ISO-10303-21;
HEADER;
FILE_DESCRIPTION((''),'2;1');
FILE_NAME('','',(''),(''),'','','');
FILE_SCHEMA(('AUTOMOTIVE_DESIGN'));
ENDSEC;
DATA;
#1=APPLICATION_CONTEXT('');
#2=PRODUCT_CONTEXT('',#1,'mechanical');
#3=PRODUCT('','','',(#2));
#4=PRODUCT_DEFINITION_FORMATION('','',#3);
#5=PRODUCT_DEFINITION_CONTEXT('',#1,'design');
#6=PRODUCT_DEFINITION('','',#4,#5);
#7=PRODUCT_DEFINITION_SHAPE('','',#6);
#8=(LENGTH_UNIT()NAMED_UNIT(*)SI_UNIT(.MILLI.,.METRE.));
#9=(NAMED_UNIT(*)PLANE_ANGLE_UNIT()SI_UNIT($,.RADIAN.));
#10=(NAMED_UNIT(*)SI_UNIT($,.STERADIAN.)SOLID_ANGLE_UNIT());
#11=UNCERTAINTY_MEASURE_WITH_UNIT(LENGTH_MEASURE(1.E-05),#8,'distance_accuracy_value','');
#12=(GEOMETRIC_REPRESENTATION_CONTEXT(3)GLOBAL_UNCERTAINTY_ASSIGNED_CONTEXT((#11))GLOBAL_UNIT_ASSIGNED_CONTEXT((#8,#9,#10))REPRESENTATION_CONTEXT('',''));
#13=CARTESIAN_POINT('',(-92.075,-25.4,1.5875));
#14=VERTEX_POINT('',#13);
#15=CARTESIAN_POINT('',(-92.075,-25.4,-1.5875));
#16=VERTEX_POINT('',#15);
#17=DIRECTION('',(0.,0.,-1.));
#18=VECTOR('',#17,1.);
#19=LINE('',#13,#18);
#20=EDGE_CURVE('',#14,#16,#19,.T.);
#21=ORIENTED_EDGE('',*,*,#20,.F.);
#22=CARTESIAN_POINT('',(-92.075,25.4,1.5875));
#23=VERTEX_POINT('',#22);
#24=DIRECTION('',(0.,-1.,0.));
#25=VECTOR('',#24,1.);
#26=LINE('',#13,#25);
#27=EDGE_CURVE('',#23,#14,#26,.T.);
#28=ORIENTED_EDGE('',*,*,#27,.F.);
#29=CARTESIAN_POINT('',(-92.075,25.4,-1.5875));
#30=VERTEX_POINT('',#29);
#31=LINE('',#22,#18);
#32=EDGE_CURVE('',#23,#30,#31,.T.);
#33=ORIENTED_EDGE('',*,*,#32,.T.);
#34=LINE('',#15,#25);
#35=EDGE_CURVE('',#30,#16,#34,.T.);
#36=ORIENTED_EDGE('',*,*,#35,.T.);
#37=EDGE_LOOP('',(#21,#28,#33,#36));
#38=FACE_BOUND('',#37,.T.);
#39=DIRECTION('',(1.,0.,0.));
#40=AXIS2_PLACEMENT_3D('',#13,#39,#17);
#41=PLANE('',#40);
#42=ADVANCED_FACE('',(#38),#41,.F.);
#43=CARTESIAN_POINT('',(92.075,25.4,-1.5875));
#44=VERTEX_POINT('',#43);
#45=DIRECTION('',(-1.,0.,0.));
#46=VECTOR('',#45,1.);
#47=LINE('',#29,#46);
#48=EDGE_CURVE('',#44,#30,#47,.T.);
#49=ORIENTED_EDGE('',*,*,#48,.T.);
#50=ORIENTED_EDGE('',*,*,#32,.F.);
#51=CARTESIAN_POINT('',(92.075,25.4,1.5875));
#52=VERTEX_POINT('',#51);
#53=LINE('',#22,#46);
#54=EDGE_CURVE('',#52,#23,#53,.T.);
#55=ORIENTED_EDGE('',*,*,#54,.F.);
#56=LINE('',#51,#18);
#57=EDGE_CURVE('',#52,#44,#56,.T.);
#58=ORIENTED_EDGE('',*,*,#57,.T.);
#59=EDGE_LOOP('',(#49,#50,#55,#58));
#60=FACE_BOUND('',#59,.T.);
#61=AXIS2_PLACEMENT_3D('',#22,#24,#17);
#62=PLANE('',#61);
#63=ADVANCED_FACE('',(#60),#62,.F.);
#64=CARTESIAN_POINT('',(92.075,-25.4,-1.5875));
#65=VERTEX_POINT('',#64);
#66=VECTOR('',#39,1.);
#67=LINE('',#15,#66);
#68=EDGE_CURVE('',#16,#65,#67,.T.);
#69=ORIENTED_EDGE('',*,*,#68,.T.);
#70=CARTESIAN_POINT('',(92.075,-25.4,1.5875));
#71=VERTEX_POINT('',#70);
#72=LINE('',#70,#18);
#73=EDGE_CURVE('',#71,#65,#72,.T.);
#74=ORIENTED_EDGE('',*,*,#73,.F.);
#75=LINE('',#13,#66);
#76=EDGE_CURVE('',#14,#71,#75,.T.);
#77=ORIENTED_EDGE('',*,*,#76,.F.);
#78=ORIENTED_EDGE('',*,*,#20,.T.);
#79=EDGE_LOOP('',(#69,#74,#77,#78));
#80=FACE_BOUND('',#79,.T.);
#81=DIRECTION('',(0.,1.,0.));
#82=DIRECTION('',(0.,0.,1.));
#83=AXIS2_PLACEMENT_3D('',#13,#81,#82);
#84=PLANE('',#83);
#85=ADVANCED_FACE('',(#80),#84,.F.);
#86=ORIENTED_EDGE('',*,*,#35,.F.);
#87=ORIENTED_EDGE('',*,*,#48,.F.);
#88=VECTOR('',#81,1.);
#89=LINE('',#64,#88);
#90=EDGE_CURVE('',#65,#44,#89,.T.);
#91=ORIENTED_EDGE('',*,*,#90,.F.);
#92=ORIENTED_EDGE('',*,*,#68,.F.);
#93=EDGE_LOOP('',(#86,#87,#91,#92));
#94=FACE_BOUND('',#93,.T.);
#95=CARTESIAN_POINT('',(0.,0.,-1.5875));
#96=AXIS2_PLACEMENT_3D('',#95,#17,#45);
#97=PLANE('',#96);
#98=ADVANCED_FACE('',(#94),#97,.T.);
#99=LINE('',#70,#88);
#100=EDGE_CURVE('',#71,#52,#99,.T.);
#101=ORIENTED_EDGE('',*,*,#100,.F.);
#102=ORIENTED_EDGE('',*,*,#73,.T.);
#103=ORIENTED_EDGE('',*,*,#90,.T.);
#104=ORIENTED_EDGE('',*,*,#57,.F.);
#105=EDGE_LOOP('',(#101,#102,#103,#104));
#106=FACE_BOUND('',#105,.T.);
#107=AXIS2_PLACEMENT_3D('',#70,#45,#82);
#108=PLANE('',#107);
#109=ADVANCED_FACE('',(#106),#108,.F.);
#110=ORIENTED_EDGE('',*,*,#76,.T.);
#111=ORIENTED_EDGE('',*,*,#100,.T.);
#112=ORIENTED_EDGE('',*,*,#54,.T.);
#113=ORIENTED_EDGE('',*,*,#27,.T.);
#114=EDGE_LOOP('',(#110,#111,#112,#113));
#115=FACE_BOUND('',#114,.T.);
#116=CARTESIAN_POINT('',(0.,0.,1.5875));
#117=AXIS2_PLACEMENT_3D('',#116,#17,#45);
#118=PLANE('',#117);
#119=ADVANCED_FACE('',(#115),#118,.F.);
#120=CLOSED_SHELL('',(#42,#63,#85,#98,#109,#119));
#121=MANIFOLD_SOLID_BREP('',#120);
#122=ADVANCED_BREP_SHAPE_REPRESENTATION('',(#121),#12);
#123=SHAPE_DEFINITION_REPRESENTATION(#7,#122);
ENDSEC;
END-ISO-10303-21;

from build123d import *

# Parameters (mm, degrees)
SKETCH2_W           = 184.15
SKETCH2_H           = 50.8
BOSS_EXTRUDE1_DEPTH = 1.5875


with BuildPart() as part:
    # Sketch2 → Boss-Extrude1 (new body, symmetric)
    with BuildSketch(Plane.XY):
        Rectangle(SKETCH2_W, SKETCH2_H)
    extrude(amount=BOSS_EXTRUDE1_DEPTH, both=True)


solid = part.part
